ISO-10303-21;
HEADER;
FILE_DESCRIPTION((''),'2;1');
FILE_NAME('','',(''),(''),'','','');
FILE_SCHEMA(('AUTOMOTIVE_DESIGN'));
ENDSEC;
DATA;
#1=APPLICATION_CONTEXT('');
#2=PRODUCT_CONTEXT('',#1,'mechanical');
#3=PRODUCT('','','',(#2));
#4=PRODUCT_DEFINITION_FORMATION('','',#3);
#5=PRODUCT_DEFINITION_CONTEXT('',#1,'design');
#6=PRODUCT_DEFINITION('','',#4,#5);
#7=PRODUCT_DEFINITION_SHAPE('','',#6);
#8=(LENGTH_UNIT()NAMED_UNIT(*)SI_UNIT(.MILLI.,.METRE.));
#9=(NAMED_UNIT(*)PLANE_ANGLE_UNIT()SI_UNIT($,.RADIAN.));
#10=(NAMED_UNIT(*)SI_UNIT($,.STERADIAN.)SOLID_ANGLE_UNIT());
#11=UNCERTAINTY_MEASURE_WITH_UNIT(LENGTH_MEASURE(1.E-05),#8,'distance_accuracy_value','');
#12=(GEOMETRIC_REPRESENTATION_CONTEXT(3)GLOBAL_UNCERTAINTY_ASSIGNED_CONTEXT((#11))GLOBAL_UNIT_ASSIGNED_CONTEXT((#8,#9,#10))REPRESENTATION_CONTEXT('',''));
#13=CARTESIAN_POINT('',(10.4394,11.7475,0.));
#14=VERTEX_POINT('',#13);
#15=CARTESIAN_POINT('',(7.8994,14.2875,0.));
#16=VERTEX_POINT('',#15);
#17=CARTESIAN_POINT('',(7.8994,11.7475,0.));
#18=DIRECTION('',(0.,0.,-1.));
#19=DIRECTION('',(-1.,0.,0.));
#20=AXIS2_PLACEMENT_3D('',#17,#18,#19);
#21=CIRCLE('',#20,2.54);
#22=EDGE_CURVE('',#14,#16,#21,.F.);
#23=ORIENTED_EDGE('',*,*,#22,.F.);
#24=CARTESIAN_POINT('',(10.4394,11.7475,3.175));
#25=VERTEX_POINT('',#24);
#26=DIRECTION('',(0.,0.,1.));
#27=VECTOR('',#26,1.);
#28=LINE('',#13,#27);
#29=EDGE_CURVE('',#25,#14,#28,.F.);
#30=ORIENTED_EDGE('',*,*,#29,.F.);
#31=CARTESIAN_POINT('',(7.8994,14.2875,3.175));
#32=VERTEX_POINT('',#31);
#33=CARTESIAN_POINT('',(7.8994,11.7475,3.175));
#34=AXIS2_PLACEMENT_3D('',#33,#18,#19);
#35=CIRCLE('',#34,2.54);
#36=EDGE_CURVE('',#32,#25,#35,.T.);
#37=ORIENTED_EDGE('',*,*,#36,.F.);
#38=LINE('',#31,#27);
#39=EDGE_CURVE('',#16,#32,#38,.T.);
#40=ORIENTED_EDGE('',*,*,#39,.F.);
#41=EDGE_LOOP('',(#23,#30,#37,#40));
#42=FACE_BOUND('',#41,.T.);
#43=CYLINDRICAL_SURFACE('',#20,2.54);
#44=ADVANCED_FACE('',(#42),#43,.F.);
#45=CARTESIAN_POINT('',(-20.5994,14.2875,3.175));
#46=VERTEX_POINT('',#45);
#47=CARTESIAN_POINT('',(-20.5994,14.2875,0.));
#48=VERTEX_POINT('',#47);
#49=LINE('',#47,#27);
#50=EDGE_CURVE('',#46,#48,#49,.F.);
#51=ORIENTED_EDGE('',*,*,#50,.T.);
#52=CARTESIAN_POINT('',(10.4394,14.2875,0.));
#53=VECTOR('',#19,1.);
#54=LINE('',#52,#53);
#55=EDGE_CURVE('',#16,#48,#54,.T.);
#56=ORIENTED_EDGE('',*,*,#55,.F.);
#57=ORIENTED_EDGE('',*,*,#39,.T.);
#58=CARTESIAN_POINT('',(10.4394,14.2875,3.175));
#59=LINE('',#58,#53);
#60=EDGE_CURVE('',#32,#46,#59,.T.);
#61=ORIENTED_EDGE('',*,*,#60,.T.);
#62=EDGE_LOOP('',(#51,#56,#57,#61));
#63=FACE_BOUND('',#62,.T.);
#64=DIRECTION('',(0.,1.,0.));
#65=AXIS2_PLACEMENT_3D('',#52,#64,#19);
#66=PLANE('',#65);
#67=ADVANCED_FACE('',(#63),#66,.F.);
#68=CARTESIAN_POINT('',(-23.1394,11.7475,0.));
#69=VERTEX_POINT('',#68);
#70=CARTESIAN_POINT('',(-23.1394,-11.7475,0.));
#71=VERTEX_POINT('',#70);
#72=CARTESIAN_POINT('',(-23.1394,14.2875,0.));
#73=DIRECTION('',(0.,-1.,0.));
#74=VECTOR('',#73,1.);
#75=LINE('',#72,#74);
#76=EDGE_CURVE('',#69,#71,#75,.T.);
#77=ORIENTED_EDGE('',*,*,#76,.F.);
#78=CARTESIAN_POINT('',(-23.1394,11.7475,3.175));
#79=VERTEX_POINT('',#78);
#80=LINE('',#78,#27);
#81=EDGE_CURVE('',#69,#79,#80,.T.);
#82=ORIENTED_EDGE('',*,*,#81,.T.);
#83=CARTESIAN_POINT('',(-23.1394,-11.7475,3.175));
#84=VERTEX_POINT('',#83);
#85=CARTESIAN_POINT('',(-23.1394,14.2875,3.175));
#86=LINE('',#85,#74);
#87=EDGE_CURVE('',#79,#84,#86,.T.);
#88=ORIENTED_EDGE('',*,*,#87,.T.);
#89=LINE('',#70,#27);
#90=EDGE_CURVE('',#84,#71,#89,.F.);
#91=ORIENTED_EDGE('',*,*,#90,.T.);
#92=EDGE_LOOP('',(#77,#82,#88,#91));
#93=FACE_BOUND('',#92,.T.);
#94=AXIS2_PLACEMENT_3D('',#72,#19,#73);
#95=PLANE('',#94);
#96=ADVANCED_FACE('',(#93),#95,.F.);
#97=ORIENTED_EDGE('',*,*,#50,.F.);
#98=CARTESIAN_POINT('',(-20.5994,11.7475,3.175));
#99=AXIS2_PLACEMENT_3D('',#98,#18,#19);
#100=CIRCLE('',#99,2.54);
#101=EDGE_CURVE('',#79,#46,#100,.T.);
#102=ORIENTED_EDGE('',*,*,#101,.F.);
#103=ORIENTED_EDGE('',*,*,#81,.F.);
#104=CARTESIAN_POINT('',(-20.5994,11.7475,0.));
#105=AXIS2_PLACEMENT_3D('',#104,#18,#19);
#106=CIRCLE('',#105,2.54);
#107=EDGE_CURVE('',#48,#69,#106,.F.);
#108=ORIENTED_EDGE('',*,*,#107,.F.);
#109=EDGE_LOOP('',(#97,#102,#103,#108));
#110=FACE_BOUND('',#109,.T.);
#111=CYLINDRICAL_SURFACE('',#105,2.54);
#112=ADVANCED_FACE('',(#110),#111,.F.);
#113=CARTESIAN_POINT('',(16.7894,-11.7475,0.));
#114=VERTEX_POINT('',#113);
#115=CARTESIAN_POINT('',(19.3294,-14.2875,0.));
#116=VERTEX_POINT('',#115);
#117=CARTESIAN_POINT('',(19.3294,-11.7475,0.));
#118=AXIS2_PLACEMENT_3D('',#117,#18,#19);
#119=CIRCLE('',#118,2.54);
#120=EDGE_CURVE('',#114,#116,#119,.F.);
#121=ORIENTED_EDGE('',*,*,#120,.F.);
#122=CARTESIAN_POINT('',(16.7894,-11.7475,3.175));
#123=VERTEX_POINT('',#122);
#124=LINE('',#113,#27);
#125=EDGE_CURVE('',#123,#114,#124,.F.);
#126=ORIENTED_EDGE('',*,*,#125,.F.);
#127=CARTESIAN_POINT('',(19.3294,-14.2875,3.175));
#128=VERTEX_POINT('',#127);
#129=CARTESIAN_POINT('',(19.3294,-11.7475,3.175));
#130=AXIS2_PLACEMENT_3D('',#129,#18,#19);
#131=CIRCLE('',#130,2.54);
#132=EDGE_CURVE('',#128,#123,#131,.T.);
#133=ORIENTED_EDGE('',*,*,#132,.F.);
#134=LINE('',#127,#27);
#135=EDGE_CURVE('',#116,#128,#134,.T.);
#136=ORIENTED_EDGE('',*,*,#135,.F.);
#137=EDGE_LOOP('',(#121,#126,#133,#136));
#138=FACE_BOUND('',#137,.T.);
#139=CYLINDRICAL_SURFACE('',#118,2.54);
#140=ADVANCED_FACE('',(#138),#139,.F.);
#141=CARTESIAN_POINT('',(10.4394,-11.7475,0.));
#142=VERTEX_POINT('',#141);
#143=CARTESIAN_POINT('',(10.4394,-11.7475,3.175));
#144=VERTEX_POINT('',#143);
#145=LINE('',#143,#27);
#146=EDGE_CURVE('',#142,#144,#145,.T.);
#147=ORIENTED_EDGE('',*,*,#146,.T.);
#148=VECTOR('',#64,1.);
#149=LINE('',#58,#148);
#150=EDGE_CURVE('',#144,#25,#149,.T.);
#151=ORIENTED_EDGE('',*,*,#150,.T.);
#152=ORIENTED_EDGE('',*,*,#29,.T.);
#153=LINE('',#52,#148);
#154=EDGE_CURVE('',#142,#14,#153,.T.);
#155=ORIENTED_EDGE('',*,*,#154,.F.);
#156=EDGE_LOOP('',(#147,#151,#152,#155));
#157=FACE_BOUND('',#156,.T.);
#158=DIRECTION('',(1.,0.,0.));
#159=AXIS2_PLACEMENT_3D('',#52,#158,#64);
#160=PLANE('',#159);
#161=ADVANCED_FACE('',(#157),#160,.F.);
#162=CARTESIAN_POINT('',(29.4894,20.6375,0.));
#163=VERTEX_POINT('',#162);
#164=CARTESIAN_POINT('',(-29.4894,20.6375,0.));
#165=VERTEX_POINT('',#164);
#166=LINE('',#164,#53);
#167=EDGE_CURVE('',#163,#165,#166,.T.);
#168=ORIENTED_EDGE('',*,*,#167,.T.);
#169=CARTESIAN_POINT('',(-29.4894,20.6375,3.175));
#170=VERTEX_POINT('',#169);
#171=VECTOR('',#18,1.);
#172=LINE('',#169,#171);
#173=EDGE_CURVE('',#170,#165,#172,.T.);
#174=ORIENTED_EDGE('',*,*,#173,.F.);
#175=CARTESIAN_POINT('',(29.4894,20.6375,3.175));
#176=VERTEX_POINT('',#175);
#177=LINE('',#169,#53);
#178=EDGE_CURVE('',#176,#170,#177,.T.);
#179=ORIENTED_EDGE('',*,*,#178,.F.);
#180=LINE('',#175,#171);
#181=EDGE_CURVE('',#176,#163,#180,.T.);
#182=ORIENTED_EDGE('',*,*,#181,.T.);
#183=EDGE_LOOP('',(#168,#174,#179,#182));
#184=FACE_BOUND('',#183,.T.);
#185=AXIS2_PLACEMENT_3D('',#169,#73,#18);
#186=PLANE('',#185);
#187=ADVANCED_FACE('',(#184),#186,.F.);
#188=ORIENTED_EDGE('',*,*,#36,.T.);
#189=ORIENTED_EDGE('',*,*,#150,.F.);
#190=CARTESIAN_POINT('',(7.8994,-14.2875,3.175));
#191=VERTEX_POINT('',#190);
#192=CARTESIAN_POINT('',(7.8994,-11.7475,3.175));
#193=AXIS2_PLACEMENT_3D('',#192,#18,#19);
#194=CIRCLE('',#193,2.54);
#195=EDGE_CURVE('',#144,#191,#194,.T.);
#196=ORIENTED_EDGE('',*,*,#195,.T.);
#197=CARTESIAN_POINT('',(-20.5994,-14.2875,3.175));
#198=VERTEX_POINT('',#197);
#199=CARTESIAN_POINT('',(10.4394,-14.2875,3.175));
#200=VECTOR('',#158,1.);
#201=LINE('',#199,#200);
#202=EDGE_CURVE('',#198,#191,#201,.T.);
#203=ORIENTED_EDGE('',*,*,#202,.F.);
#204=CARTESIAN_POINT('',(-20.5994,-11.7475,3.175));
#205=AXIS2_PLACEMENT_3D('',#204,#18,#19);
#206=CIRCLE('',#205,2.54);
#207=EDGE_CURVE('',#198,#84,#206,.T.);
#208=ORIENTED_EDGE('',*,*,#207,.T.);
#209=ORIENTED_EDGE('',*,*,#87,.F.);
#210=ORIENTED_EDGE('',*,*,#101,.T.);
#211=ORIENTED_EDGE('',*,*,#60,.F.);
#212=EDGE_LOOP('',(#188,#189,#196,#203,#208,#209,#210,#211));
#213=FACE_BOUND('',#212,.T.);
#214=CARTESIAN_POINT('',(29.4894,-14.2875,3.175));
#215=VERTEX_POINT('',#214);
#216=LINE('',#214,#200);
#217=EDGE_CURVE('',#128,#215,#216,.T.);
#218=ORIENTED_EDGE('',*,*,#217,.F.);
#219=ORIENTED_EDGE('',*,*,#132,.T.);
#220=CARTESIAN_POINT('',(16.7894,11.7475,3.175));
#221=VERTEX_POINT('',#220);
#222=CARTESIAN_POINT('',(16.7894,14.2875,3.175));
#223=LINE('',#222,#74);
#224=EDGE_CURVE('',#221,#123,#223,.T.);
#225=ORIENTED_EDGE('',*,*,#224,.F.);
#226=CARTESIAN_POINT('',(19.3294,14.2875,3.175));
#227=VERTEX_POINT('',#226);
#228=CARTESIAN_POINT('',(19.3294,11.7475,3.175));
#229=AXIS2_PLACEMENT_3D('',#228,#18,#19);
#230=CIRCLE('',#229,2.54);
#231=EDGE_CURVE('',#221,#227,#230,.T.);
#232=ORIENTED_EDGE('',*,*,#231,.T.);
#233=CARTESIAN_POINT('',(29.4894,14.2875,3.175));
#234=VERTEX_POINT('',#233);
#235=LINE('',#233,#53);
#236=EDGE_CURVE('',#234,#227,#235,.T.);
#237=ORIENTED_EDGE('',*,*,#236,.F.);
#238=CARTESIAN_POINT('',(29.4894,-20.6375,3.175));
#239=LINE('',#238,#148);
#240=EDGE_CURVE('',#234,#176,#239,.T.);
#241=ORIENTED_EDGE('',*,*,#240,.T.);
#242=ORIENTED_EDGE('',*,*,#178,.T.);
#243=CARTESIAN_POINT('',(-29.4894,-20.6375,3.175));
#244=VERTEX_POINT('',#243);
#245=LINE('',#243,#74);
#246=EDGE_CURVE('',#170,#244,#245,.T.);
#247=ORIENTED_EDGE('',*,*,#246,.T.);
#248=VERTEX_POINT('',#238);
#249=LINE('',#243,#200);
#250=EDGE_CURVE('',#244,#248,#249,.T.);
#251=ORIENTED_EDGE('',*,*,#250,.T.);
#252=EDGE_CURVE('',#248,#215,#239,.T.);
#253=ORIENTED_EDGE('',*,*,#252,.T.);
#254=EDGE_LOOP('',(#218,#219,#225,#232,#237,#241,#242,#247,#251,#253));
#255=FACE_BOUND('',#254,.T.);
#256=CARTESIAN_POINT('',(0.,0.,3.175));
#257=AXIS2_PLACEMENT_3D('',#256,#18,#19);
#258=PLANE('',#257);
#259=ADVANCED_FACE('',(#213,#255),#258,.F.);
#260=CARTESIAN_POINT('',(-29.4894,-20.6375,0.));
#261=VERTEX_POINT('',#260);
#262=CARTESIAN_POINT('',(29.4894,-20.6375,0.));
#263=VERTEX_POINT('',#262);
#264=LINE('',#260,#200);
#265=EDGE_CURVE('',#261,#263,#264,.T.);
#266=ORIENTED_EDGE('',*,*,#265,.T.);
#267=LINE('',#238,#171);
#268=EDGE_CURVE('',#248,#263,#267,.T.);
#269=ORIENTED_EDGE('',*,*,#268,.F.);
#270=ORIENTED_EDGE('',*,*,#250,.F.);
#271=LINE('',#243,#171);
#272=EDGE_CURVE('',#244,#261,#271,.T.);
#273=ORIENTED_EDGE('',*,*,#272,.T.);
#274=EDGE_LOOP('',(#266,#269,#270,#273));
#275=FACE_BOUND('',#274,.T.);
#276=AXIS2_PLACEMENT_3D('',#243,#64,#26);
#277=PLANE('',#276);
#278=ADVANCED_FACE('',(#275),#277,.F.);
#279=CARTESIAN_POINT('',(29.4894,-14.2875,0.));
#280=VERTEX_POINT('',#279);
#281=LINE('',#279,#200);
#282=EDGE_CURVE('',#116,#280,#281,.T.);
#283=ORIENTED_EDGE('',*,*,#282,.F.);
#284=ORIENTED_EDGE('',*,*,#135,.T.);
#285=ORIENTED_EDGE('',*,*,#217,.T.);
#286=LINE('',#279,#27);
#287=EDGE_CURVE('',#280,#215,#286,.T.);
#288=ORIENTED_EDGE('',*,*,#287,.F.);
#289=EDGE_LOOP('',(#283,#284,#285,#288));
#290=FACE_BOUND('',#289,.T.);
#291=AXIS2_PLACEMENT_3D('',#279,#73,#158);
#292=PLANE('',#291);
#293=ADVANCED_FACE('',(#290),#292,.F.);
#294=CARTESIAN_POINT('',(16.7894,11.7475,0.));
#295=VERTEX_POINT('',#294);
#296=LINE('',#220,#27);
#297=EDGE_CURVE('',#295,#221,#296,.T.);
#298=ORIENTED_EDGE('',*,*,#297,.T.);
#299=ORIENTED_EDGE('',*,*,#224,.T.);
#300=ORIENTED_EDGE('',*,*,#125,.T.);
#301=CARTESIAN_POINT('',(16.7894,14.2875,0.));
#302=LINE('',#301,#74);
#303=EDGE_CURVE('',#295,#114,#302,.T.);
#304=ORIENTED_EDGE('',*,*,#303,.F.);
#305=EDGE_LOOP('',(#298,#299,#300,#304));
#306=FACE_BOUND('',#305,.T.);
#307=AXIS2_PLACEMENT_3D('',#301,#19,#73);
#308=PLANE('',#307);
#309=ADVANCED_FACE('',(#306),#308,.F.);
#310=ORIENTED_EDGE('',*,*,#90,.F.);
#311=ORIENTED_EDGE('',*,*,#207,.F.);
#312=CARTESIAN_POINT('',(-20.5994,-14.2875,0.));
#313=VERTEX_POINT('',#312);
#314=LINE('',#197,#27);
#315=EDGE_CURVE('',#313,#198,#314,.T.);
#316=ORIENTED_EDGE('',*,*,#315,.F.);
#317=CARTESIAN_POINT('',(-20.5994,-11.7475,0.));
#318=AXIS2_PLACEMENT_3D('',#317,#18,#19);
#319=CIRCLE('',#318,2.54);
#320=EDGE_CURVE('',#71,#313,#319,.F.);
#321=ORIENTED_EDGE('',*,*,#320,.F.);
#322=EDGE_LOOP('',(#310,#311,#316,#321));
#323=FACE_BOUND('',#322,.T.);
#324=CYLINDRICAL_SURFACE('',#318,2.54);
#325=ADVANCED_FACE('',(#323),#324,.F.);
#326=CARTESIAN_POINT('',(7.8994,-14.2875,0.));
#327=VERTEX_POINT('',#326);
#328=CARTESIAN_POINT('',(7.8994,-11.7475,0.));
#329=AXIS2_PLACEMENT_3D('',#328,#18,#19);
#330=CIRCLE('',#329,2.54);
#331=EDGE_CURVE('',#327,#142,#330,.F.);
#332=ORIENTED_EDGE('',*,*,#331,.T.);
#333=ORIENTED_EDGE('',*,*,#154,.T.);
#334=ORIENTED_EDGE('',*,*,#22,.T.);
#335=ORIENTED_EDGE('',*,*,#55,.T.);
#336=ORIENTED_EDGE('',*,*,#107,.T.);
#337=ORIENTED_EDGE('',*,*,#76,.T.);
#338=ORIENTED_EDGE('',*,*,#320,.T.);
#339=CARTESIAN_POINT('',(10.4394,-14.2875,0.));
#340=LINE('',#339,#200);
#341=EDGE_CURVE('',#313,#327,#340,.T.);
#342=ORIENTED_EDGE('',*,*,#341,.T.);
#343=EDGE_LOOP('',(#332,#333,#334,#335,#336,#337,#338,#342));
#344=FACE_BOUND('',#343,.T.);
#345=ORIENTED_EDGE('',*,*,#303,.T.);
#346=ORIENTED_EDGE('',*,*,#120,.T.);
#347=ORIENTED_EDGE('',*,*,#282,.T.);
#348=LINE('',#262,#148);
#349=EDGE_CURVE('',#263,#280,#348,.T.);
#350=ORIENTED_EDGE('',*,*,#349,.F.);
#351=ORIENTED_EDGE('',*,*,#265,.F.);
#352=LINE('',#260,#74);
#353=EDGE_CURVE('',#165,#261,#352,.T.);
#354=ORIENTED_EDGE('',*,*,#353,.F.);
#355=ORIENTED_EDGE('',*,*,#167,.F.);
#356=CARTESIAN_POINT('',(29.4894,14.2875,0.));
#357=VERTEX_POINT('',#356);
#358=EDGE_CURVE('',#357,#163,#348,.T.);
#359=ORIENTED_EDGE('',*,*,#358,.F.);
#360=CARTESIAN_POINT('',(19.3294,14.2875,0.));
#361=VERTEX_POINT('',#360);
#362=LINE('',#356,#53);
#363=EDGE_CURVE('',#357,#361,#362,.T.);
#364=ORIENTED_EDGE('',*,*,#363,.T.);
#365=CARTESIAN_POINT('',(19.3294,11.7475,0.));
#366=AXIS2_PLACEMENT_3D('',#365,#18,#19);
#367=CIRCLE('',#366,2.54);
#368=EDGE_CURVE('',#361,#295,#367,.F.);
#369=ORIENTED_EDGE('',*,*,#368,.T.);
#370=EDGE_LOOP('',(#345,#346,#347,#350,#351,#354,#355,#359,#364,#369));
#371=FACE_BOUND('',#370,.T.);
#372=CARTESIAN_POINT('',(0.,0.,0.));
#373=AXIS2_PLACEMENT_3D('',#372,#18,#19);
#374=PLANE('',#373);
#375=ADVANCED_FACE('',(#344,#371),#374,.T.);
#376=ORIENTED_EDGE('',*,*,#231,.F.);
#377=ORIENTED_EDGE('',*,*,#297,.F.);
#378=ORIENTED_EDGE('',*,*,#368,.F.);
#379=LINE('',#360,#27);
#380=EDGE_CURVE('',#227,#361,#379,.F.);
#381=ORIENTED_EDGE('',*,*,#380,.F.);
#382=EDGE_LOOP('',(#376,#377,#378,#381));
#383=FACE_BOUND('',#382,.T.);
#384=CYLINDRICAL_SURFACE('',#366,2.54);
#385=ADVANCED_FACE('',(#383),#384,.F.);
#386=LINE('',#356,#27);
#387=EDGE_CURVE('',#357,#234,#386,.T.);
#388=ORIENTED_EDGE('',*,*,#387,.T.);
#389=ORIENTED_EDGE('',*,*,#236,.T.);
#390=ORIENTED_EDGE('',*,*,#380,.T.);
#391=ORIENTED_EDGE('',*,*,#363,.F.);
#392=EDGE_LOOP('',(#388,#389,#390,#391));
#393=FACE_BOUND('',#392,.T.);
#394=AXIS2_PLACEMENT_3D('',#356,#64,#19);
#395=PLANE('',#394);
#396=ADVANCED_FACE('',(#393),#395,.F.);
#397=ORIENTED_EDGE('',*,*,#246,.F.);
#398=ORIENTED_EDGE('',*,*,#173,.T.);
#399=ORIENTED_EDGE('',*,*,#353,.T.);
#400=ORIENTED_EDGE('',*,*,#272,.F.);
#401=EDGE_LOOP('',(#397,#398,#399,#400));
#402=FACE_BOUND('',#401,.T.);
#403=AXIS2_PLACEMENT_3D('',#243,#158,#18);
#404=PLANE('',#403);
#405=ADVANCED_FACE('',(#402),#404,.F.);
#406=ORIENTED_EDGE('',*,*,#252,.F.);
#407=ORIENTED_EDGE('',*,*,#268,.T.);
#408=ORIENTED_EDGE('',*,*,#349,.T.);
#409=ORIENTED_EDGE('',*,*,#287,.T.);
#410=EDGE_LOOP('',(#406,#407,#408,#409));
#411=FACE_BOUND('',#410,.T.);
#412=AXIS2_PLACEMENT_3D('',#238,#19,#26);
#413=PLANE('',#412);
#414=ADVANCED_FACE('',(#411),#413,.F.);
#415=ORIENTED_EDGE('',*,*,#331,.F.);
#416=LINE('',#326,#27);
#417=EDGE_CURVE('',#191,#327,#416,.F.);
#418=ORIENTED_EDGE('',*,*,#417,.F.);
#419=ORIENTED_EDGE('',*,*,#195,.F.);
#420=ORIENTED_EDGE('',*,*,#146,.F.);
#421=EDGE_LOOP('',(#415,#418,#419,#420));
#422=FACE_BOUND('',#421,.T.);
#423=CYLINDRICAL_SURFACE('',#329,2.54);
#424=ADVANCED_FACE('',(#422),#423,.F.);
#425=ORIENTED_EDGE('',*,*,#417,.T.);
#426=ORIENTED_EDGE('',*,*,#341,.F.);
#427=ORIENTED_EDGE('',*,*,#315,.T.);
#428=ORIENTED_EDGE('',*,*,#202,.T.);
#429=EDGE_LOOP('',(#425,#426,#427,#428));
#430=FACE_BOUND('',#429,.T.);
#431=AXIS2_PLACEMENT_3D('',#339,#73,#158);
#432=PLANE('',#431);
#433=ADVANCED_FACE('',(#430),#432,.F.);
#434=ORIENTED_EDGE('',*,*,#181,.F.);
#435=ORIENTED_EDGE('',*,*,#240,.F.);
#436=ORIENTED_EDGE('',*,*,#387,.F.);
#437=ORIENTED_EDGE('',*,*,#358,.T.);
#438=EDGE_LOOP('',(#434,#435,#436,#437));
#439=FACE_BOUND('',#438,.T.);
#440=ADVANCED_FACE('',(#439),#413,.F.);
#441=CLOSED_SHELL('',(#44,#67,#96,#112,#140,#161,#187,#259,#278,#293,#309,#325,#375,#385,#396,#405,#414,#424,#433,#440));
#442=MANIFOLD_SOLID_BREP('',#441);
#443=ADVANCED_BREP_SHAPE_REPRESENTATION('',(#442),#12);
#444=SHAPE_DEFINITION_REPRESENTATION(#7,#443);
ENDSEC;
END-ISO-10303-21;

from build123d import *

# Parameters (mm, degrees)
SKETCH1_W           = 58.9788
SKETCH1_H           = 41.275
BOSS_EXTRUDE1_DEPTH = 3.175
SKETCH2_W           = 12.7
SKETCH2_H           = 28.575
SKETCH2_W_2         = 33.5788
CUT_EXTRUDE1_DEPTH  = 37.133249835
FILLET1_R           = 2.54


with BuildPart() as part:
    # Sketch1 → Boss-Extrude1 (new body)
    with BuildSketch(Plane.XY):
        Rectangle(SKETCH1_W, SKETCH1_H)
    extrude(amount=BOSS_EXTRUDE1_DEPTH)

    # Sketch2 → Cut-Extrude1 (cut, through all)
    with BuildSketch(Plane.XY.offset(3.175)):
        with Locations((23.1394, 0)):
            Rectangle(SKETCH2_W, SKETCH2_H)
        with Locations((-6.35, 0)):
            Rectangle(SKETCH2_W_2, SKETCH2_H)
    extrude(amount=-CUT_EXTRUDE1_DEPTH, mode=Mode.SUBTRACT)

    # Fillet1
    fillet1_edges = [part.edges().sort_by_distance(p)[0] for p in [
        (16.7894, -14.2875, 1.5875),
        (16.7894, 14.2875, 1.5875),
        (10.4394, 14.2875, 1.5875),
        (10.4394, -14.2875, 1.5875),
        (-23.1394, -14.2875, 1.5875),
        (-23.1394, 14.2875, 1.5875),
    ]]
    fillet(fillet1_edges, radius=FILLET1_R)


solid = part.part
